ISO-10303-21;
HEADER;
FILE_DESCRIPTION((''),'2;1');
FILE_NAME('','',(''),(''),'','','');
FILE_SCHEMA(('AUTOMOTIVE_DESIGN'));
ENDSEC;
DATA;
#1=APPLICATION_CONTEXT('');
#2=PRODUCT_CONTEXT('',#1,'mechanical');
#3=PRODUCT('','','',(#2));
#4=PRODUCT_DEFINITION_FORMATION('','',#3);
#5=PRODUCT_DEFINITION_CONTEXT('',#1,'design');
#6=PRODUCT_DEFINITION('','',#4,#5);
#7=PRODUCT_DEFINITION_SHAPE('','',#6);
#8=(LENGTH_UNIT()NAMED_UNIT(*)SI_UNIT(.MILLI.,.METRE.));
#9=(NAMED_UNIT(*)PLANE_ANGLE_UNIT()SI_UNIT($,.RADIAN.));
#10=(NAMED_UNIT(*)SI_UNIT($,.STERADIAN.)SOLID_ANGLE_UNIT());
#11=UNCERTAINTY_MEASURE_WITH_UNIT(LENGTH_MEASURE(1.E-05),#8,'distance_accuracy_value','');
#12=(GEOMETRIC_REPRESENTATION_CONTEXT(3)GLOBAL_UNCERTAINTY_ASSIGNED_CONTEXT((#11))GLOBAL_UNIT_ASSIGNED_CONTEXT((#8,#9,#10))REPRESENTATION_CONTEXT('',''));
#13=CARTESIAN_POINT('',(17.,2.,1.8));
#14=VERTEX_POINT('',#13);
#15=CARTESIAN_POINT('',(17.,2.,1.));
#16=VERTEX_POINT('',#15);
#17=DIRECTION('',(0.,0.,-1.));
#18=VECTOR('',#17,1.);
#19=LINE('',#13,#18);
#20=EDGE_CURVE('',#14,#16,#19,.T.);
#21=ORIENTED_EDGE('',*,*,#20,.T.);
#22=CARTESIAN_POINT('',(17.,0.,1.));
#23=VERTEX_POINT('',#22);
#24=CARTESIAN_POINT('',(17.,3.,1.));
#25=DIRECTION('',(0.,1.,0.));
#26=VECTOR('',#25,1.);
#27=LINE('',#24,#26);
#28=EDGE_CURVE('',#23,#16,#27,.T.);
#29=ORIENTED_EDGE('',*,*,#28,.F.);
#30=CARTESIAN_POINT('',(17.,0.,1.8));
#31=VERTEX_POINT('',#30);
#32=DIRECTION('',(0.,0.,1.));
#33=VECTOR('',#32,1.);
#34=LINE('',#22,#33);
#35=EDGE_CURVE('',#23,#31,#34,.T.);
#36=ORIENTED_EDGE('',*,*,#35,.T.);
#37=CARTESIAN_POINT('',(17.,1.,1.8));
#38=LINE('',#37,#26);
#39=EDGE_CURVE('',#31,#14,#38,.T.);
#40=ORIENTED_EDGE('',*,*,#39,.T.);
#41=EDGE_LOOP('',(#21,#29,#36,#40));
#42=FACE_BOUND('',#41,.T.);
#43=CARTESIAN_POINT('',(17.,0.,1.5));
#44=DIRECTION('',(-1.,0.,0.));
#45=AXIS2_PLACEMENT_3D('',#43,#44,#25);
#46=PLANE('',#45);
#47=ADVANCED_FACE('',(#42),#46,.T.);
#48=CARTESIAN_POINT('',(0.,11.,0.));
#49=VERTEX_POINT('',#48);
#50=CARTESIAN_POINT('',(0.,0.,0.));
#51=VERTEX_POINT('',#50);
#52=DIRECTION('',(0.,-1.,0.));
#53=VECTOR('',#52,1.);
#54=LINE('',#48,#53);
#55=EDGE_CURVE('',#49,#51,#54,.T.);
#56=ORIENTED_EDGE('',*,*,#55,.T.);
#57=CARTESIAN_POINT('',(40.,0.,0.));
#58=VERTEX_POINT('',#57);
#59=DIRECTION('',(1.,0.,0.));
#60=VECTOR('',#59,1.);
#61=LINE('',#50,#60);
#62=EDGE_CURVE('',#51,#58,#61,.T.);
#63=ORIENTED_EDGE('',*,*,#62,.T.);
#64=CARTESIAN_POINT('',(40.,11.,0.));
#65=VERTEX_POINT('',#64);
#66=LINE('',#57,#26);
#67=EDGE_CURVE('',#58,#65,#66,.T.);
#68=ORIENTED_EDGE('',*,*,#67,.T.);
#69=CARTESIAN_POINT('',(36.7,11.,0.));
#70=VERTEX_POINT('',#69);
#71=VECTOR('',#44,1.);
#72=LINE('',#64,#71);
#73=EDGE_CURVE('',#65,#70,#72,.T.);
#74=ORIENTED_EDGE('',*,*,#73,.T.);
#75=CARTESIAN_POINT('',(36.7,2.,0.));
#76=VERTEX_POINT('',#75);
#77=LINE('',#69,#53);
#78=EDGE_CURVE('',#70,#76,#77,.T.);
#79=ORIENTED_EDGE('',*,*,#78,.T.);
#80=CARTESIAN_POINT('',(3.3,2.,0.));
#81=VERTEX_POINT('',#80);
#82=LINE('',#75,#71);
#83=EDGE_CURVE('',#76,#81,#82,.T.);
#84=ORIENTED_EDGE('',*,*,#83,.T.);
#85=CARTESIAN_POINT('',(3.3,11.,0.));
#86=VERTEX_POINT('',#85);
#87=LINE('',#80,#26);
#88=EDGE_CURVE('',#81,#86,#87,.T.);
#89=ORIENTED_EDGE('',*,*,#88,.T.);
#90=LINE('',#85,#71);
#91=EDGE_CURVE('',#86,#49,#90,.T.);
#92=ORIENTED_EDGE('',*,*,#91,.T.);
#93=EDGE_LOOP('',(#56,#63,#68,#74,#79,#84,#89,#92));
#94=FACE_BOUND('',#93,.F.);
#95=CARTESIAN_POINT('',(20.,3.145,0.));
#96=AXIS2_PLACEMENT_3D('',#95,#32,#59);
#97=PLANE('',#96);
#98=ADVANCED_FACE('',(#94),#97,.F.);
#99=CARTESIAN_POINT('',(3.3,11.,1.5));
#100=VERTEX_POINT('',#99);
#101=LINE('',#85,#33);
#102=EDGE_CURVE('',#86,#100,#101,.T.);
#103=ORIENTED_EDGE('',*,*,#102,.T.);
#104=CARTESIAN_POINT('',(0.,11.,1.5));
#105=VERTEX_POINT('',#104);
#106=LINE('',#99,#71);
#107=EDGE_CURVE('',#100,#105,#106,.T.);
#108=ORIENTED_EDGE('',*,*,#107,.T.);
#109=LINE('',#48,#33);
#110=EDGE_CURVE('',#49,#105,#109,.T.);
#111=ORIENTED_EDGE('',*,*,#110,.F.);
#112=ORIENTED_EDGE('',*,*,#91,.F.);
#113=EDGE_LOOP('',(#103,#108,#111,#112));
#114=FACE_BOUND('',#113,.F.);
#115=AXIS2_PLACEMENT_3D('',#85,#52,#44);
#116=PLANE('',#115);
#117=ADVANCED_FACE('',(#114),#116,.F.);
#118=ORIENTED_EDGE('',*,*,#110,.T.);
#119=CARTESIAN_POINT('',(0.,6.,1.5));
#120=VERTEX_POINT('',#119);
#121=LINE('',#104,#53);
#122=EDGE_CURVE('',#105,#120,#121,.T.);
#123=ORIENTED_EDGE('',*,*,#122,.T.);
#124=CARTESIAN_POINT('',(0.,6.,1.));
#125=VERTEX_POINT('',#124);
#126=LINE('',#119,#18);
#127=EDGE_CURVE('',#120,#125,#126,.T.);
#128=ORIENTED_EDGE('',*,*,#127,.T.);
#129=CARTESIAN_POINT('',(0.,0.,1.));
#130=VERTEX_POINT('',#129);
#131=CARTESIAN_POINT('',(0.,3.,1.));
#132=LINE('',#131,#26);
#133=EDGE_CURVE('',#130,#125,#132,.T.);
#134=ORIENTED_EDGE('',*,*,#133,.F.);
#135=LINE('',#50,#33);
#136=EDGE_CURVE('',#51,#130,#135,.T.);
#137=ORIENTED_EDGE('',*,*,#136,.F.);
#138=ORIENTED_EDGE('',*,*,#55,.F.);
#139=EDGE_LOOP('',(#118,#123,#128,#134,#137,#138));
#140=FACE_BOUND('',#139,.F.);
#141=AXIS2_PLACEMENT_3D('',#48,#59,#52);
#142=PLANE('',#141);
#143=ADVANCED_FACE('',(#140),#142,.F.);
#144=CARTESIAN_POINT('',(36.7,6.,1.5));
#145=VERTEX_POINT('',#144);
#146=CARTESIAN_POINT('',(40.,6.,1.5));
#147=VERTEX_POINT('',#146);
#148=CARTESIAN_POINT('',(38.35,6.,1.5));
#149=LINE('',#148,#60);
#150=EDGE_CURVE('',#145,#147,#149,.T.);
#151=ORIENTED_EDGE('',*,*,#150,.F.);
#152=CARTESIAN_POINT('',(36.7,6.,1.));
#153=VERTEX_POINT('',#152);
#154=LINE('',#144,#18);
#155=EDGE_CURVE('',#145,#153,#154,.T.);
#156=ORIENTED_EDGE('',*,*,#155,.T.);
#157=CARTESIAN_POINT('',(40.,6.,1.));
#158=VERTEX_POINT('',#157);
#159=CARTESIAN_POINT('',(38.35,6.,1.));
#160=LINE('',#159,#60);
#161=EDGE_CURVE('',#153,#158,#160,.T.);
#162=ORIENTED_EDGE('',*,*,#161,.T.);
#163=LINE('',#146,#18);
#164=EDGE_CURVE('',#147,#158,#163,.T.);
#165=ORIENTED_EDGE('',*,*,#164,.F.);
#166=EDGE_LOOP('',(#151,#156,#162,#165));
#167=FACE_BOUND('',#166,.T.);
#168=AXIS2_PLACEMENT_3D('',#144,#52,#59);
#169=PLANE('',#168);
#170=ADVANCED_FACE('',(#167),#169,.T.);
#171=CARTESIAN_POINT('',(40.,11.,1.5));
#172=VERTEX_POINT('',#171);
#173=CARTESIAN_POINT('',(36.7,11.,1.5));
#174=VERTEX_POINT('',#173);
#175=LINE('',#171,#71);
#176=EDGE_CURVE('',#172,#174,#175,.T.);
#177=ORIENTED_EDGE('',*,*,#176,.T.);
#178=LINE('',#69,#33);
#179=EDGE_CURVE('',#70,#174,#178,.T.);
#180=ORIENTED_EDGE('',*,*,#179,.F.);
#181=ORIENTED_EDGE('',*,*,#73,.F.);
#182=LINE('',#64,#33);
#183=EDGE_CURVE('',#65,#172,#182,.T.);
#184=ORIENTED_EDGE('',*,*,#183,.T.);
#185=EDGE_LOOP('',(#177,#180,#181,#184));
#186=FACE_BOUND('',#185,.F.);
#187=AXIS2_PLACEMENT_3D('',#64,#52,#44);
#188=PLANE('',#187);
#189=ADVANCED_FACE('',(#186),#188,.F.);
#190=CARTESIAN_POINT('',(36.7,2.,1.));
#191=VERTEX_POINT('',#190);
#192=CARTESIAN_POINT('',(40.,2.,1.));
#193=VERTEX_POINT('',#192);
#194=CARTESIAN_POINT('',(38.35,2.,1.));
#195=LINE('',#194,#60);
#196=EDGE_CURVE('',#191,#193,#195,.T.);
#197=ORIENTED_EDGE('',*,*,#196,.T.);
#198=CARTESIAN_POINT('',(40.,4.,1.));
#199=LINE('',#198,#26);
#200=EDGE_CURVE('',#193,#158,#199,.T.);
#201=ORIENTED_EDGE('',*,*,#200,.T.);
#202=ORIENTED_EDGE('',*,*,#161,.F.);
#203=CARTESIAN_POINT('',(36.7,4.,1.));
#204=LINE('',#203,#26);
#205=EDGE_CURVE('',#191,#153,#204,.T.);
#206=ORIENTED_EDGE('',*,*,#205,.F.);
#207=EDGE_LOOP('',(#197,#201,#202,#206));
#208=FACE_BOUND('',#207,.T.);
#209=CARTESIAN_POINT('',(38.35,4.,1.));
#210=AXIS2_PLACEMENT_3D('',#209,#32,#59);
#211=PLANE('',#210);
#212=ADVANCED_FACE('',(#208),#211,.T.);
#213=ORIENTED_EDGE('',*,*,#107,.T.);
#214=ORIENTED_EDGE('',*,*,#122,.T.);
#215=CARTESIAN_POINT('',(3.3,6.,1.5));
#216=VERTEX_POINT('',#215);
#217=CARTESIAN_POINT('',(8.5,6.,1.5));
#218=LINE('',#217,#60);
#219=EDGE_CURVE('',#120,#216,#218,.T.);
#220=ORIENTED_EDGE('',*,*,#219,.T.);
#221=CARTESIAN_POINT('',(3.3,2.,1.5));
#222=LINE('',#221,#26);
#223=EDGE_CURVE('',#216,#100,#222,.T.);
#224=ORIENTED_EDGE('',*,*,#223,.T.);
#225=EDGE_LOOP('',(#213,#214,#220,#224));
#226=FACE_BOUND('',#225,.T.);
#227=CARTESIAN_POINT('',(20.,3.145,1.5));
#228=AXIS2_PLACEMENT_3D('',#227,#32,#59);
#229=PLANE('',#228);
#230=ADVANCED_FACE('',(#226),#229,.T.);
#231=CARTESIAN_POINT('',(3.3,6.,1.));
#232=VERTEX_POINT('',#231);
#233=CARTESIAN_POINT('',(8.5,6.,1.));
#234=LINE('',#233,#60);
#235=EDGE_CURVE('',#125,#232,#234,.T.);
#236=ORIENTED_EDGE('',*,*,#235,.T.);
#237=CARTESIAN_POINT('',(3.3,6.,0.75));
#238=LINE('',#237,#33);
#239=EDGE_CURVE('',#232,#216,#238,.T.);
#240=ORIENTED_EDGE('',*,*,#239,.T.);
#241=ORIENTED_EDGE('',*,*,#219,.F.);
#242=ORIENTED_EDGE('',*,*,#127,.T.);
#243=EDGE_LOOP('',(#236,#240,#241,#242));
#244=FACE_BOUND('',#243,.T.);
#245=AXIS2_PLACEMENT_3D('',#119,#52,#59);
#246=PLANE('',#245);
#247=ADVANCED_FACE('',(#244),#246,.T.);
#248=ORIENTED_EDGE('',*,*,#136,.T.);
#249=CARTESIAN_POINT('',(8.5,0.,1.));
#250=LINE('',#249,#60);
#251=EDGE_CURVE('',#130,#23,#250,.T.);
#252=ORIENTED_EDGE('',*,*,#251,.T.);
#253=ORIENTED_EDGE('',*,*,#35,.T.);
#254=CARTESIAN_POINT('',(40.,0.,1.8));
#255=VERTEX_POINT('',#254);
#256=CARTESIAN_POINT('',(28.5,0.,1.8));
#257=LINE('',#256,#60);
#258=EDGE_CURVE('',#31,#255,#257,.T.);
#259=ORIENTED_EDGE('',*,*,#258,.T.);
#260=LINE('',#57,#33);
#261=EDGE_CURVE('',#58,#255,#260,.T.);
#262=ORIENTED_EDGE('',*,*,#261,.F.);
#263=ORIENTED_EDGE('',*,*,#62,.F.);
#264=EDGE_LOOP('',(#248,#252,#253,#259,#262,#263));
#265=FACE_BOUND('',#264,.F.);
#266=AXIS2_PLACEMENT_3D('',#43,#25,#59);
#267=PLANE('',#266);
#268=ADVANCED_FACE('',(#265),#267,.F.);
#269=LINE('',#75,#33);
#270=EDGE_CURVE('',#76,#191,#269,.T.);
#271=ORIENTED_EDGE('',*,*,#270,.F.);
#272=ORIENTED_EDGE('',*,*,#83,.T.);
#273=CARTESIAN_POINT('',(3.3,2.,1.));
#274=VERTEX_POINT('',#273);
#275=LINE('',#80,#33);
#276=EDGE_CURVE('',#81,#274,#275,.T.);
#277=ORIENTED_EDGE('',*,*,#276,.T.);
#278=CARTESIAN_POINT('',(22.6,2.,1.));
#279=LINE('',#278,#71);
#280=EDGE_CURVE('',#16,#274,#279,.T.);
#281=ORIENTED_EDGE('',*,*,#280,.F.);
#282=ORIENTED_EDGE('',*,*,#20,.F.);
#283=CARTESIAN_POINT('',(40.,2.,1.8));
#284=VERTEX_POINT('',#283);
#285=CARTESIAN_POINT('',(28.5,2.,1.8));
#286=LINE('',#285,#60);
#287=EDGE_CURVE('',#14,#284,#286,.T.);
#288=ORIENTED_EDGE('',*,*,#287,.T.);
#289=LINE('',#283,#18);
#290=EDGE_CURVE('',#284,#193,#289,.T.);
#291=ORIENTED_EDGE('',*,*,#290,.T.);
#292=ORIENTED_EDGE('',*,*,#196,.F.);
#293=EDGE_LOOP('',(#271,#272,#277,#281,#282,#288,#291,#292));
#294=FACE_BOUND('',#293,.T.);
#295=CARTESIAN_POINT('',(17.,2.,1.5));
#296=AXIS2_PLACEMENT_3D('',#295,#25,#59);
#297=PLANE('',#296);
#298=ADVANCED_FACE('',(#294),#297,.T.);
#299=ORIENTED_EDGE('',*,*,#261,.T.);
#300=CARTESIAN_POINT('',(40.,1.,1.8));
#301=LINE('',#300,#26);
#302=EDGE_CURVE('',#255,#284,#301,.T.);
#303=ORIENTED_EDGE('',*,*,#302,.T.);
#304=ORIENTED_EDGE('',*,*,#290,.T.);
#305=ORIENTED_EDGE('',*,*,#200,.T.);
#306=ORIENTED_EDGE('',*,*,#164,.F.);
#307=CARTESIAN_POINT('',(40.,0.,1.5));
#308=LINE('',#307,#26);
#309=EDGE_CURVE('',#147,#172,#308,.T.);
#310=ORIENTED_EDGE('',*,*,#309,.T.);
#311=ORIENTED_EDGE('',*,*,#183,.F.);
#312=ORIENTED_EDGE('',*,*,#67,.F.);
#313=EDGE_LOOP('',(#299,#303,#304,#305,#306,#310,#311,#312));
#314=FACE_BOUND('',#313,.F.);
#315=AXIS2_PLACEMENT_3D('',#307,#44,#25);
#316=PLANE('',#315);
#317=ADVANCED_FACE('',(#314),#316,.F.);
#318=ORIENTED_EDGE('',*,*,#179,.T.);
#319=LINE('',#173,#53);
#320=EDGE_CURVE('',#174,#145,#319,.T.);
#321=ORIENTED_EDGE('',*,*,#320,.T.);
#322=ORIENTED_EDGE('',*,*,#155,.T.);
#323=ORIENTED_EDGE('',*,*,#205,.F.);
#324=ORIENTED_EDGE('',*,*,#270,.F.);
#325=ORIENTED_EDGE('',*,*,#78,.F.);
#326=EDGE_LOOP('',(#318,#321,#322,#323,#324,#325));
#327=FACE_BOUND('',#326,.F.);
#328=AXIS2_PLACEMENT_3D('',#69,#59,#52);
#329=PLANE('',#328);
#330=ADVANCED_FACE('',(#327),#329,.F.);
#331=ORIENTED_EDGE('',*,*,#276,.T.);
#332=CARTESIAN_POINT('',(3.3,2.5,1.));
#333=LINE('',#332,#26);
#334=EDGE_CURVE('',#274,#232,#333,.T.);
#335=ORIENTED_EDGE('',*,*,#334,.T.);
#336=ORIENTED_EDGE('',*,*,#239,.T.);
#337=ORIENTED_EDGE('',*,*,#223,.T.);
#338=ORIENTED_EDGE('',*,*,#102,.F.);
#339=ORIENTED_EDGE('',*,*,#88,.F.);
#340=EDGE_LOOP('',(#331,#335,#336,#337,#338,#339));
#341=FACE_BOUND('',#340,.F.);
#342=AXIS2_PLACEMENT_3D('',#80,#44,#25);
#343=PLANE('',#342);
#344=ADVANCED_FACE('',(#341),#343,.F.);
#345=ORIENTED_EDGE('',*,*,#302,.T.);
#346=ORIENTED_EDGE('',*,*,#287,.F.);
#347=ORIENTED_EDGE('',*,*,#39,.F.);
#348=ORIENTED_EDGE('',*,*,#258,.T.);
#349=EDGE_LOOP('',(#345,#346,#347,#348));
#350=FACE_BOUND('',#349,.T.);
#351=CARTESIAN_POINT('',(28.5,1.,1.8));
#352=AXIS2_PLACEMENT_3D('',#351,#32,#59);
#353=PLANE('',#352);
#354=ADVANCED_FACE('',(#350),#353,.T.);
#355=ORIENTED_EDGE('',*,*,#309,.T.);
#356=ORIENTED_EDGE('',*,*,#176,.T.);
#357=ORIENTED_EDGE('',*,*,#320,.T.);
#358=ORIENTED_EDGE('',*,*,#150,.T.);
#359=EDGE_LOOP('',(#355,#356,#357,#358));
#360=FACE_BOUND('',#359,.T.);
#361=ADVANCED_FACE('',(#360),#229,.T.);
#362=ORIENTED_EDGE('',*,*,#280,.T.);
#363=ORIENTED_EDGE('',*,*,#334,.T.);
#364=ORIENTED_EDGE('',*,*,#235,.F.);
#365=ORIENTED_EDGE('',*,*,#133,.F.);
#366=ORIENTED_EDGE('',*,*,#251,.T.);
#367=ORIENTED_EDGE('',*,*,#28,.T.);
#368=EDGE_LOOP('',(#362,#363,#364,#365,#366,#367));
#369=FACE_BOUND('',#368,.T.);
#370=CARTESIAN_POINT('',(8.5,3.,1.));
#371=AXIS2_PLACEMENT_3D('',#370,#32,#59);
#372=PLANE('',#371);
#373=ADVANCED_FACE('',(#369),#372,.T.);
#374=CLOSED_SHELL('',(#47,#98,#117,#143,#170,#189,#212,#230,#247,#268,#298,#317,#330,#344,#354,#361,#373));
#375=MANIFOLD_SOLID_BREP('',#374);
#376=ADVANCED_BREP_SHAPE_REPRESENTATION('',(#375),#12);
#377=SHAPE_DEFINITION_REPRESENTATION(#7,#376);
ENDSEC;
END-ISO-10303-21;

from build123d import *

# Parameters (mm, degrees)
F1_DEPTH = 1.5
F2_W     = 3.3
F2_H     = 4
F2_W_2   = 17
F2_H_2   = 6
F3_DEPTH = 0.5
F4_W     = 23
F4_H     = 2
F5_DEPTH = 0.3


with BuildPart() as f1:
    # F0 (on Top) → F1 (new body)
    with BuildSketch(Plane.XY):
        Polygon((0, 11), (0, 0), (40, 0), (40, 11), (36.7, 11), (36.7, 2), (3.3, 2), (3.3, 11), align=None)
    extrude(amount=F1_DEPTH)

    # F2 (on face) → F3 (cut)
    with BuildSketch(Plane.XY.offset(1.5)):
        with Locations((38.35, 4)):
            Rectangle(F2_W, F2_H)
        with Locations((8.5, 3)):
            Rectangle(F2_W_2, F2_H_2)
    extrude(amount=-F3_DEPTH, mode=Mode.SUBTRACT)

    # F4 (on face) → F5 (join)
    with BuildSketch(Plane.XY.offset(1.5)):
        with Locations((28.5, 1)):
            Rectangle(F4_W, F4_H)
    extrude(amount=F5_DEPTH)


solid = f1.part
